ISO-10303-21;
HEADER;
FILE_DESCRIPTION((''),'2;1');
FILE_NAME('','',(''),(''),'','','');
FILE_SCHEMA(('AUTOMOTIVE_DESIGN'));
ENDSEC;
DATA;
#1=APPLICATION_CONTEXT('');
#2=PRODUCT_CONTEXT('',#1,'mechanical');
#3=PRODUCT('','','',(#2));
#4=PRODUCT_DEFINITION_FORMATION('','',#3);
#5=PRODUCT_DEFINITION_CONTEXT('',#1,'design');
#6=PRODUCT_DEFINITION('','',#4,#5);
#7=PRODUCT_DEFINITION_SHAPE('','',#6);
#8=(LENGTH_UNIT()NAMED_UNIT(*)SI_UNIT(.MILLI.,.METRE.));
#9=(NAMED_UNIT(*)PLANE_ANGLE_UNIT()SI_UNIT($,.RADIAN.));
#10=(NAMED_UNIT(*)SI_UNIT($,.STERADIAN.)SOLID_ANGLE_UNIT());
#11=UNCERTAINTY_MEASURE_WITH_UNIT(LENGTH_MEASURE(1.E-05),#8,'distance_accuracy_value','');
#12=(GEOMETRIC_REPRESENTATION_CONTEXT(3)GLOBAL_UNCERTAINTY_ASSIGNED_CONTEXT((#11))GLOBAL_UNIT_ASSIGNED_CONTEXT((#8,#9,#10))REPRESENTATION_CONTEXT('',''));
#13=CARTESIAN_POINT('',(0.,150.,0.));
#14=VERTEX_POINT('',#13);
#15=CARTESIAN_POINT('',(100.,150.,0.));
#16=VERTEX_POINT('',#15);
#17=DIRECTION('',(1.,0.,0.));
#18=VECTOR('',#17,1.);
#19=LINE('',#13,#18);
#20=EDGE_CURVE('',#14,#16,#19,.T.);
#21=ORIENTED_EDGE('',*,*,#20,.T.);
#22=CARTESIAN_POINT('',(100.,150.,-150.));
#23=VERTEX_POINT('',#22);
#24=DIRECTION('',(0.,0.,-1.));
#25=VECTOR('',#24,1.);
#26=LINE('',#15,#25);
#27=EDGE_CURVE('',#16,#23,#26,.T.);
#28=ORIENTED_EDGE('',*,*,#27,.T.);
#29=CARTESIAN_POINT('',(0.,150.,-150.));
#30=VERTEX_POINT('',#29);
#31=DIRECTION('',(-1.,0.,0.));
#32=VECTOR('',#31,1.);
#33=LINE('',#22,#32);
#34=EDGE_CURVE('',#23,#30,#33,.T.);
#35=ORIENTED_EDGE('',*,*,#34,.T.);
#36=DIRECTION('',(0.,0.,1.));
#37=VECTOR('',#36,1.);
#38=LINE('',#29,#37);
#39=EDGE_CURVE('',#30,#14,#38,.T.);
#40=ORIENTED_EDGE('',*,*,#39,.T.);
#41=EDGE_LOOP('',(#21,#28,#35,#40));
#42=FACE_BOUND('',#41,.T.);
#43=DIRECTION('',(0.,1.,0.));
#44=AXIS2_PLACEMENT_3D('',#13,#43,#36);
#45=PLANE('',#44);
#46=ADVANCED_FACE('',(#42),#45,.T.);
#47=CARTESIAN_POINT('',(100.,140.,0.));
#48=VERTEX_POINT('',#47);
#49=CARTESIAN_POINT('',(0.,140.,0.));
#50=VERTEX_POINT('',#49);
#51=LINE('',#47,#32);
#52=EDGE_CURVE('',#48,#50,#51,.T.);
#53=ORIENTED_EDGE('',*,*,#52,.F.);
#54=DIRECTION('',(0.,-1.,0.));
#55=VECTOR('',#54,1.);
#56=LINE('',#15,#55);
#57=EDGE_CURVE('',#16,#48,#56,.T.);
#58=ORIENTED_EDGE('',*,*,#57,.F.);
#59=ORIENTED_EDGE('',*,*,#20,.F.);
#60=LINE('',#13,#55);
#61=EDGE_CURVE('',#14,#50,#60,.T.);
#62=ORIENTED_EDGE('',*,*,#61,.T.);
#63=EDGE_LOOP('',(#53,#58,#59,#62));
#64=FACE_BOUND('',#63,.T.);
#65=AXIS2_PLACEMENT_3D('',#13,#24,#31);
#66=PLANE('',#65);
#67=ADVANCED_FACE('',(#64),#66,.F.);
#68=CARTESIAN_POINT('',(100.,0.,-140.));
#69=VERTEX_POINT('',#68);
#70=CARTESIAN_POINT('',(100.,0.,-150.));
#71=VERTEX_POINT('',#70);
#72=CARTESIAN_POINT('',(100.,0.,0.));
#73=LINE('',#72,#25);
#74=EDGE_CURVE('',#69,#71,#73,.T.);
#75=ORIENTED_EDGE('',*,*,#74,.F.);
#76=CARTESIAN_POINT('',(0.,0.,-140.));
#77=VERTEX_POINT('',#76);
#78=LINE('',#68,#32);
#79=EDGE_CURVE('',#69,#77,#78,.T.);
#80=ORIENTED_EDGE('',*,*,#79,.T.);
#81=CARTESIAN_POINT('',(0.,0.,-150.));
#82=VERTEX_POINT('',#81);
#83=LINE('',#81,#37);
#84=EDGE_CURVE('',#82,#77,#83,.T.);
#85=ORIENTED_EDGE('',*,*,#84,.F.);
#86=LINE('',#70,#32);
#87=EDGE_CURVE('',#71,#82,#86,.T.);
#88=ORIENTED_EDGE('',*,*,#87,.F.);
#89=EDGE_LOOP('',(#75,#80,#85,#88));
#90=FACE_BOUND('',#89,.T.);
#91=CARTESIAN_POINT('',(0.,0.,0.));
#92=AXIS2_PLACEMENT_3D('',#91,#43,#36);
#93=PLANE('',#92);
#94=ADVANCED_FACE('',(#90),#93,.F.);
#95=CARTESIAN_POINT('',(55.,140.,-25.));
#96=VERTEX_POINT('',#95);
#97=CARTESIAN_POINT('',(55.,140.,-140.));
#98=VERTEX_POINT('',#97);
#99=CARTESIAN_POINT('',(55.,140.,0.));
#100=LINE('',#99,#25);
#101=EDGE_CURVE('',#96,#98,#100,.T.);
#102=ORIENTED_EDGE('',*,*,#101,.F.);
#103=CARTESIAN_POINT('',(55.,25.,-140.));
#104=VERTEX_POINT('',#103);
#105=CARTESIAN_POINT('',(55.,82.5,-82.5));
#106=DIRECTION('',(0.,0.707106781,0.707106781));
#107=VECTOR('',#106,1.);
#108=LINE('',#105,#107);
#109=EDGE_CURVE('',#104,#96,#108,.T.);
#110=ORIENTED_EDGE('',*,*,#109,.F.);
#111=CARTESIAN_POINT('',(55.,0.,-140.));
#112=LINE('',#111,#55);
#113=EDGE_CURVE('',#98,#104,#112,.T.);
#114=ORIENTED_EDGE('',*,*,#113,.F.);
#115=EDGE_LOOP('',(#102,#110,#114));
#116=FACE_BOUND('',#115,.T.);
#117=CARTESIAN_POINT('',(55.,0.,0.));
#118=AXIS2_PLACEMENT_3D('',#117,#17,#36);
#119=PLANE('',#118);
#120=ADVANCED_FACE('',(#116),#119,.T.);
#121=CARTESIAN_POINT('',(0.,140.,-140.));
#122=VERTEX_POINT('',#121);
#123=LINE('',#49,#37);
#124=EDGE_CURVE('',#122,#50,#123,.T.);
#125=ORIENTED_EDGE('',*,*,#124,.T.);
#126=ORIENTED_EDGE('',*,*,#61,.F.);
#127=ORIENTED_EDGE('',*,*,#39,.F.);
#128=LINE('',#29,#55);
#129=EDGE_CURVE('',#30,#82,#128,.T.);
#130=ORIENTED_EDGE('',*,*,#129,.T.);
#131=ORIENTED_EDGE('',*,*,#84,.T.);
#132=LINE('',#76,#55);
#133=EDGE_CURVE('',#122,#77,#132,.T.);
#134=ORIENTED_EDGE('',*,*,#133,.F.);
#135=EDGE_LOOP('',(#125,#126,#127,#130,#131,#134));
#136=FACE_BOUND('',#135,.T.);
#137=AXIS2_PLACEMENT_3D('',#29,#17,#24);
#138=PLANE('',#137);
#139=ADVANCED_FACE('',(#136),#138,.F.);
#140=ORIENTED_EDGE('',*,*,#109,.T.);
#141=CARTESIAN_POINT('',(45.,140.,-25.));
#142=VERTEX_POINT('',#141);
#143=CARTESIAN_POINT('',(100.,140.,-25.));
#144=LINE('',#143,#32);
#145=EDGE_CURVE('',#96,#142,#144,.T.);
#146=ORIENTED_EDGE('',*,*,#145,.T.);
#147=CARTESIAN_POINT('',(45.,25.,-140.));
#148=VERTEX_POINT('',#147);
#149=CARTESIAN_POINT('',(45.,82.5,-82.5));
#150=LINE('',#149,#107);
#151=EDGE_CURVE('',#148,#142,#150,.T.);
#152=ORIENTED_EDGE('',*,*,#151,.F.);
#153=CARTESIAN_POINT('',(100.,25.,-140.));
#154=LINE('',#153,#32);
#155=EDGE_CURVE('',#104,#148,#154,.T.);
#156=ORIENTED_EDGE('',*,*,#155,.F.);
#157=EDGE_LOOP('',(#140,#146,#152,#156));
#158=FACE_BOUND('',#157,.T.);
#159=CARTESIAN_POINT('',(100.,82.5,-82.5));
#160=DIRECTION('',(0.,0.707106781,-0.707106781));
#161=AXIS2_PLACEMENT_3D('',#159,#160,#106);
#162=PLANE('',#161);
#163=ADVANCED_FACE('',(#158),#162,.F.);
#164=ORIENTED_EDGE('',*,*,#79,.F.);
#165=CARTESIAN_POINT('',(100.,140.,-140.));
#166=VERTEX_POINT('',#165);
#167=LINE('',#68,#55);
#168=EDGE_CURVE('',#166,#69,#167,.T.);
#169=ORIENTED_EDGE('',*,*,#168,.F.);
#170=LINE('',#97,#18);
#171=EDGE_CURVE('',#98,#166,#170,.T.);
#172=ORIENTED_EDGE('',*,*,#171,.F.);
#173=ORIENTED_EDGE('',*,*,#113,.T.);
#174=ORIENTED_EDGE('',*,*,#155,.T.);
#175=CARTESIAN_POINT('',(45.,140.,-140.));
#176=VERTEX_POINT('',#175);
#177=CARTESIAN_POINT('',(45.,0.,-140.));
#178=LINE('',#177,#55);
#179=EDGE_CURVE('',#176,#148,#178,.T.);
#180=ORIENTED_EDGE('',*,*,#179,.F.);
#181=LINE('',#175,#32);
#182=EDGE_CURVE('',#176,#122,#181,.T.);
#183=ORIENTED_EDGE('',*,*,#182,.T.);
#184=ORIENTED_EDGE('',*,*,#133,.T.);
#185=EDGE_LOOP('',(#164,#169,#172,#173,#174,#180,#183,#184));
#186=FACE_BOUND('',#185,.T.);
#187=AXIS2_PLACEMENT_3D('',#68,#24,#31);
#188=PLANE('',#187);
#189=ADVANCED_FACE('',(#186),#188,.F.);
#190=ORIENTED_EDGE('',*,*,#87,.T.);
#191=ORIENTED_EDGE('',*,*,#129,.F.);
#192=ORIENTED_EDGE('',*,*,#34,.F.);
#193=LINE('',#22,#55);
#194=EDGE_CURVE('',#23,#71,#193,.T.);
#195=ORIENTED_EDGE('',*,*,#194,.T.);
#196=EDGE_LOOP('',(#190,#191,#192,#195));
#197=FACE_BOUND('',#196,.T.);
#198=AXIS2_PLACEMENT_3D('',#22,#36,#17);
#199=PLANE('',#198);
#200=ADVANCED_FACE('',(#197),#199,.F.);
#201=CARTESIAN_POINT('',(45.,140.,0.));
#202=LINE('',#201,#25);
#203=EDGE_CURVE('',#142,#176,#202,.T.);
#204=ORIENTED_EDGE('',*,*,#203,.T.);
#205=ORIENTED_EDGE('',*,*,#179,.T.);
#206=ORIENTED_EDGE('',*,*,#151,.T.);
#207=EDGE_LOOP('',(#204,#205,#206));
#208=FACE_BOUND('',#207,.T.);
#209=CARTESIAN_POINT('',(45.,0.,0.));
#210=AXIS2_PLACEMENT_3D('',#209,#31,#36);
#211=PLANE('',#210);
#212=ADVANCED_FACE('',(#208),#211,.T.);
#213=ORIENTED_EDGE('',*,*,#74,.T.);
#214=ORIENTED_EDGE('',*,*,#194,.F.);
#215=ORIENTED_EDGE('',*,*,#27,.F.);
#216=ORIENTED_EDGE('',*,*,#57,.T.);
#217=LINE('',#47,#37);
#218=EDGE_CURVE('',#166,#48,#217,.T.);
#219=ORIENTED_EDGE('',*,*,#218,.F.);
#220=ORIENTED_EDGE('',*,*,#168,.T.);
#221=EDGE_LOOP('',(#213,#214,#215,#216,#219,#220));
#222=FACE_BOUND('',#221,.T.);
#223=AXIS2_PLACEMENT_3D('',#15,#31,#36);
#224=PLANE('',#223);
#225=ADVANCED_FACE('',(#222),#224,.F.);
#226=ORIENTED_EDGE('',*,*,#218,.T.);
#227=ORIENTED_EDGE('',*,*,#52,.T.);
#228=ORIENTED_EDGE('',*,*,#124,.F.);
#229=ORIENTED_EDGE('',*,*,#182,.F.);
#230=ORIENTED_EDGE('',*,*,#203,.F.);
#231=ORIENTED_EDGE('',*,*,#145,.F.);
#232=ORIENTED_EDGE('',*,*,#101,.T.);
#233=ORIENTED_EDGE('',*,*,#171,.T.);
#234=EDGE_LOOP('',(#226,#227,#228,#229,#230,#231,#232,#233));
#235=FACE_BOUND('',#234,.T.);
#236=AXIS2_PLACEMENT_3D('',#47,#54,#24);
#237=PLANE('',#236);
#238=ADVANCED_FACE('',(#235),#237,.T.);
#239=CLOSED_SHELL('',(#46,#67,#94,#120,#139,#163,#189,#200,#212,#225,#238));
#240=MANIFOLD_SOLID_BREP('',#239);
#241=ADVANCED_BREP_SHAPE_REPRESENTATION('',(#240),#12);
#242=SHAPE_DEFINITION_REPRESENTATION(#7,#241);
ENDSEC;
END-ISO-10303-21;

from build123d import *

# Parameters (mm, degrees)
SKETCH2_W           = 100
SKETCH2_H           = 150
BOSS_EXTRUDE1_DEPTH = 150
CUT_EXTRUDE1_DEPTH  = 235.520787991
CUT_EXTRUDE2_DEPTH  = 45


with BuildPart() as part:
    # Sketch2 → Boss-Extrude1 (new body)
    with BuildSketch(Plane(origin=(0, 0, 0), x_dir=(1, 0, 0), z_dir=(0, 1, 0))):
        with Locations((50, 75)):
            Rectangle(SKETCH2_W, SKETCH2_H)
    extrude(amount=BOSS_EXTRUDE1_DEPTH)

    # Sketch3 → Cut-Extrude1 (cut, through all)
    with BuildSketch(Plane.ZY):
        Polygon((0, 140), (-25, 140), (-140, 25), (-140, 0), (0, 0), align=None)
    extrude(amount=-CUT_EXTRUDE1_DEPTH, mode=Mode.SUBTRACT)

    # Sketch4 → Cut-Extrude2 (cut)
    with BuildSketch(Plane.ZY):
        Polygon((-140, 25), (-25, 140), (-140, 140), align=None)
    cut_extrude2 = extrude(amount=-CUT_EXTRUDE2_DEPTH, mode=Mode.SUBTRACT)

    # Mirror1: Cut-Extrude2 across plane
    add(cut_extrude2.mirror(Plane(origin=(50, 0, 0), x_dir=(0, 0, 1), z_dir=(1, 0, 0))), mode=Mode.SUBTRACT)


solid = part.part
